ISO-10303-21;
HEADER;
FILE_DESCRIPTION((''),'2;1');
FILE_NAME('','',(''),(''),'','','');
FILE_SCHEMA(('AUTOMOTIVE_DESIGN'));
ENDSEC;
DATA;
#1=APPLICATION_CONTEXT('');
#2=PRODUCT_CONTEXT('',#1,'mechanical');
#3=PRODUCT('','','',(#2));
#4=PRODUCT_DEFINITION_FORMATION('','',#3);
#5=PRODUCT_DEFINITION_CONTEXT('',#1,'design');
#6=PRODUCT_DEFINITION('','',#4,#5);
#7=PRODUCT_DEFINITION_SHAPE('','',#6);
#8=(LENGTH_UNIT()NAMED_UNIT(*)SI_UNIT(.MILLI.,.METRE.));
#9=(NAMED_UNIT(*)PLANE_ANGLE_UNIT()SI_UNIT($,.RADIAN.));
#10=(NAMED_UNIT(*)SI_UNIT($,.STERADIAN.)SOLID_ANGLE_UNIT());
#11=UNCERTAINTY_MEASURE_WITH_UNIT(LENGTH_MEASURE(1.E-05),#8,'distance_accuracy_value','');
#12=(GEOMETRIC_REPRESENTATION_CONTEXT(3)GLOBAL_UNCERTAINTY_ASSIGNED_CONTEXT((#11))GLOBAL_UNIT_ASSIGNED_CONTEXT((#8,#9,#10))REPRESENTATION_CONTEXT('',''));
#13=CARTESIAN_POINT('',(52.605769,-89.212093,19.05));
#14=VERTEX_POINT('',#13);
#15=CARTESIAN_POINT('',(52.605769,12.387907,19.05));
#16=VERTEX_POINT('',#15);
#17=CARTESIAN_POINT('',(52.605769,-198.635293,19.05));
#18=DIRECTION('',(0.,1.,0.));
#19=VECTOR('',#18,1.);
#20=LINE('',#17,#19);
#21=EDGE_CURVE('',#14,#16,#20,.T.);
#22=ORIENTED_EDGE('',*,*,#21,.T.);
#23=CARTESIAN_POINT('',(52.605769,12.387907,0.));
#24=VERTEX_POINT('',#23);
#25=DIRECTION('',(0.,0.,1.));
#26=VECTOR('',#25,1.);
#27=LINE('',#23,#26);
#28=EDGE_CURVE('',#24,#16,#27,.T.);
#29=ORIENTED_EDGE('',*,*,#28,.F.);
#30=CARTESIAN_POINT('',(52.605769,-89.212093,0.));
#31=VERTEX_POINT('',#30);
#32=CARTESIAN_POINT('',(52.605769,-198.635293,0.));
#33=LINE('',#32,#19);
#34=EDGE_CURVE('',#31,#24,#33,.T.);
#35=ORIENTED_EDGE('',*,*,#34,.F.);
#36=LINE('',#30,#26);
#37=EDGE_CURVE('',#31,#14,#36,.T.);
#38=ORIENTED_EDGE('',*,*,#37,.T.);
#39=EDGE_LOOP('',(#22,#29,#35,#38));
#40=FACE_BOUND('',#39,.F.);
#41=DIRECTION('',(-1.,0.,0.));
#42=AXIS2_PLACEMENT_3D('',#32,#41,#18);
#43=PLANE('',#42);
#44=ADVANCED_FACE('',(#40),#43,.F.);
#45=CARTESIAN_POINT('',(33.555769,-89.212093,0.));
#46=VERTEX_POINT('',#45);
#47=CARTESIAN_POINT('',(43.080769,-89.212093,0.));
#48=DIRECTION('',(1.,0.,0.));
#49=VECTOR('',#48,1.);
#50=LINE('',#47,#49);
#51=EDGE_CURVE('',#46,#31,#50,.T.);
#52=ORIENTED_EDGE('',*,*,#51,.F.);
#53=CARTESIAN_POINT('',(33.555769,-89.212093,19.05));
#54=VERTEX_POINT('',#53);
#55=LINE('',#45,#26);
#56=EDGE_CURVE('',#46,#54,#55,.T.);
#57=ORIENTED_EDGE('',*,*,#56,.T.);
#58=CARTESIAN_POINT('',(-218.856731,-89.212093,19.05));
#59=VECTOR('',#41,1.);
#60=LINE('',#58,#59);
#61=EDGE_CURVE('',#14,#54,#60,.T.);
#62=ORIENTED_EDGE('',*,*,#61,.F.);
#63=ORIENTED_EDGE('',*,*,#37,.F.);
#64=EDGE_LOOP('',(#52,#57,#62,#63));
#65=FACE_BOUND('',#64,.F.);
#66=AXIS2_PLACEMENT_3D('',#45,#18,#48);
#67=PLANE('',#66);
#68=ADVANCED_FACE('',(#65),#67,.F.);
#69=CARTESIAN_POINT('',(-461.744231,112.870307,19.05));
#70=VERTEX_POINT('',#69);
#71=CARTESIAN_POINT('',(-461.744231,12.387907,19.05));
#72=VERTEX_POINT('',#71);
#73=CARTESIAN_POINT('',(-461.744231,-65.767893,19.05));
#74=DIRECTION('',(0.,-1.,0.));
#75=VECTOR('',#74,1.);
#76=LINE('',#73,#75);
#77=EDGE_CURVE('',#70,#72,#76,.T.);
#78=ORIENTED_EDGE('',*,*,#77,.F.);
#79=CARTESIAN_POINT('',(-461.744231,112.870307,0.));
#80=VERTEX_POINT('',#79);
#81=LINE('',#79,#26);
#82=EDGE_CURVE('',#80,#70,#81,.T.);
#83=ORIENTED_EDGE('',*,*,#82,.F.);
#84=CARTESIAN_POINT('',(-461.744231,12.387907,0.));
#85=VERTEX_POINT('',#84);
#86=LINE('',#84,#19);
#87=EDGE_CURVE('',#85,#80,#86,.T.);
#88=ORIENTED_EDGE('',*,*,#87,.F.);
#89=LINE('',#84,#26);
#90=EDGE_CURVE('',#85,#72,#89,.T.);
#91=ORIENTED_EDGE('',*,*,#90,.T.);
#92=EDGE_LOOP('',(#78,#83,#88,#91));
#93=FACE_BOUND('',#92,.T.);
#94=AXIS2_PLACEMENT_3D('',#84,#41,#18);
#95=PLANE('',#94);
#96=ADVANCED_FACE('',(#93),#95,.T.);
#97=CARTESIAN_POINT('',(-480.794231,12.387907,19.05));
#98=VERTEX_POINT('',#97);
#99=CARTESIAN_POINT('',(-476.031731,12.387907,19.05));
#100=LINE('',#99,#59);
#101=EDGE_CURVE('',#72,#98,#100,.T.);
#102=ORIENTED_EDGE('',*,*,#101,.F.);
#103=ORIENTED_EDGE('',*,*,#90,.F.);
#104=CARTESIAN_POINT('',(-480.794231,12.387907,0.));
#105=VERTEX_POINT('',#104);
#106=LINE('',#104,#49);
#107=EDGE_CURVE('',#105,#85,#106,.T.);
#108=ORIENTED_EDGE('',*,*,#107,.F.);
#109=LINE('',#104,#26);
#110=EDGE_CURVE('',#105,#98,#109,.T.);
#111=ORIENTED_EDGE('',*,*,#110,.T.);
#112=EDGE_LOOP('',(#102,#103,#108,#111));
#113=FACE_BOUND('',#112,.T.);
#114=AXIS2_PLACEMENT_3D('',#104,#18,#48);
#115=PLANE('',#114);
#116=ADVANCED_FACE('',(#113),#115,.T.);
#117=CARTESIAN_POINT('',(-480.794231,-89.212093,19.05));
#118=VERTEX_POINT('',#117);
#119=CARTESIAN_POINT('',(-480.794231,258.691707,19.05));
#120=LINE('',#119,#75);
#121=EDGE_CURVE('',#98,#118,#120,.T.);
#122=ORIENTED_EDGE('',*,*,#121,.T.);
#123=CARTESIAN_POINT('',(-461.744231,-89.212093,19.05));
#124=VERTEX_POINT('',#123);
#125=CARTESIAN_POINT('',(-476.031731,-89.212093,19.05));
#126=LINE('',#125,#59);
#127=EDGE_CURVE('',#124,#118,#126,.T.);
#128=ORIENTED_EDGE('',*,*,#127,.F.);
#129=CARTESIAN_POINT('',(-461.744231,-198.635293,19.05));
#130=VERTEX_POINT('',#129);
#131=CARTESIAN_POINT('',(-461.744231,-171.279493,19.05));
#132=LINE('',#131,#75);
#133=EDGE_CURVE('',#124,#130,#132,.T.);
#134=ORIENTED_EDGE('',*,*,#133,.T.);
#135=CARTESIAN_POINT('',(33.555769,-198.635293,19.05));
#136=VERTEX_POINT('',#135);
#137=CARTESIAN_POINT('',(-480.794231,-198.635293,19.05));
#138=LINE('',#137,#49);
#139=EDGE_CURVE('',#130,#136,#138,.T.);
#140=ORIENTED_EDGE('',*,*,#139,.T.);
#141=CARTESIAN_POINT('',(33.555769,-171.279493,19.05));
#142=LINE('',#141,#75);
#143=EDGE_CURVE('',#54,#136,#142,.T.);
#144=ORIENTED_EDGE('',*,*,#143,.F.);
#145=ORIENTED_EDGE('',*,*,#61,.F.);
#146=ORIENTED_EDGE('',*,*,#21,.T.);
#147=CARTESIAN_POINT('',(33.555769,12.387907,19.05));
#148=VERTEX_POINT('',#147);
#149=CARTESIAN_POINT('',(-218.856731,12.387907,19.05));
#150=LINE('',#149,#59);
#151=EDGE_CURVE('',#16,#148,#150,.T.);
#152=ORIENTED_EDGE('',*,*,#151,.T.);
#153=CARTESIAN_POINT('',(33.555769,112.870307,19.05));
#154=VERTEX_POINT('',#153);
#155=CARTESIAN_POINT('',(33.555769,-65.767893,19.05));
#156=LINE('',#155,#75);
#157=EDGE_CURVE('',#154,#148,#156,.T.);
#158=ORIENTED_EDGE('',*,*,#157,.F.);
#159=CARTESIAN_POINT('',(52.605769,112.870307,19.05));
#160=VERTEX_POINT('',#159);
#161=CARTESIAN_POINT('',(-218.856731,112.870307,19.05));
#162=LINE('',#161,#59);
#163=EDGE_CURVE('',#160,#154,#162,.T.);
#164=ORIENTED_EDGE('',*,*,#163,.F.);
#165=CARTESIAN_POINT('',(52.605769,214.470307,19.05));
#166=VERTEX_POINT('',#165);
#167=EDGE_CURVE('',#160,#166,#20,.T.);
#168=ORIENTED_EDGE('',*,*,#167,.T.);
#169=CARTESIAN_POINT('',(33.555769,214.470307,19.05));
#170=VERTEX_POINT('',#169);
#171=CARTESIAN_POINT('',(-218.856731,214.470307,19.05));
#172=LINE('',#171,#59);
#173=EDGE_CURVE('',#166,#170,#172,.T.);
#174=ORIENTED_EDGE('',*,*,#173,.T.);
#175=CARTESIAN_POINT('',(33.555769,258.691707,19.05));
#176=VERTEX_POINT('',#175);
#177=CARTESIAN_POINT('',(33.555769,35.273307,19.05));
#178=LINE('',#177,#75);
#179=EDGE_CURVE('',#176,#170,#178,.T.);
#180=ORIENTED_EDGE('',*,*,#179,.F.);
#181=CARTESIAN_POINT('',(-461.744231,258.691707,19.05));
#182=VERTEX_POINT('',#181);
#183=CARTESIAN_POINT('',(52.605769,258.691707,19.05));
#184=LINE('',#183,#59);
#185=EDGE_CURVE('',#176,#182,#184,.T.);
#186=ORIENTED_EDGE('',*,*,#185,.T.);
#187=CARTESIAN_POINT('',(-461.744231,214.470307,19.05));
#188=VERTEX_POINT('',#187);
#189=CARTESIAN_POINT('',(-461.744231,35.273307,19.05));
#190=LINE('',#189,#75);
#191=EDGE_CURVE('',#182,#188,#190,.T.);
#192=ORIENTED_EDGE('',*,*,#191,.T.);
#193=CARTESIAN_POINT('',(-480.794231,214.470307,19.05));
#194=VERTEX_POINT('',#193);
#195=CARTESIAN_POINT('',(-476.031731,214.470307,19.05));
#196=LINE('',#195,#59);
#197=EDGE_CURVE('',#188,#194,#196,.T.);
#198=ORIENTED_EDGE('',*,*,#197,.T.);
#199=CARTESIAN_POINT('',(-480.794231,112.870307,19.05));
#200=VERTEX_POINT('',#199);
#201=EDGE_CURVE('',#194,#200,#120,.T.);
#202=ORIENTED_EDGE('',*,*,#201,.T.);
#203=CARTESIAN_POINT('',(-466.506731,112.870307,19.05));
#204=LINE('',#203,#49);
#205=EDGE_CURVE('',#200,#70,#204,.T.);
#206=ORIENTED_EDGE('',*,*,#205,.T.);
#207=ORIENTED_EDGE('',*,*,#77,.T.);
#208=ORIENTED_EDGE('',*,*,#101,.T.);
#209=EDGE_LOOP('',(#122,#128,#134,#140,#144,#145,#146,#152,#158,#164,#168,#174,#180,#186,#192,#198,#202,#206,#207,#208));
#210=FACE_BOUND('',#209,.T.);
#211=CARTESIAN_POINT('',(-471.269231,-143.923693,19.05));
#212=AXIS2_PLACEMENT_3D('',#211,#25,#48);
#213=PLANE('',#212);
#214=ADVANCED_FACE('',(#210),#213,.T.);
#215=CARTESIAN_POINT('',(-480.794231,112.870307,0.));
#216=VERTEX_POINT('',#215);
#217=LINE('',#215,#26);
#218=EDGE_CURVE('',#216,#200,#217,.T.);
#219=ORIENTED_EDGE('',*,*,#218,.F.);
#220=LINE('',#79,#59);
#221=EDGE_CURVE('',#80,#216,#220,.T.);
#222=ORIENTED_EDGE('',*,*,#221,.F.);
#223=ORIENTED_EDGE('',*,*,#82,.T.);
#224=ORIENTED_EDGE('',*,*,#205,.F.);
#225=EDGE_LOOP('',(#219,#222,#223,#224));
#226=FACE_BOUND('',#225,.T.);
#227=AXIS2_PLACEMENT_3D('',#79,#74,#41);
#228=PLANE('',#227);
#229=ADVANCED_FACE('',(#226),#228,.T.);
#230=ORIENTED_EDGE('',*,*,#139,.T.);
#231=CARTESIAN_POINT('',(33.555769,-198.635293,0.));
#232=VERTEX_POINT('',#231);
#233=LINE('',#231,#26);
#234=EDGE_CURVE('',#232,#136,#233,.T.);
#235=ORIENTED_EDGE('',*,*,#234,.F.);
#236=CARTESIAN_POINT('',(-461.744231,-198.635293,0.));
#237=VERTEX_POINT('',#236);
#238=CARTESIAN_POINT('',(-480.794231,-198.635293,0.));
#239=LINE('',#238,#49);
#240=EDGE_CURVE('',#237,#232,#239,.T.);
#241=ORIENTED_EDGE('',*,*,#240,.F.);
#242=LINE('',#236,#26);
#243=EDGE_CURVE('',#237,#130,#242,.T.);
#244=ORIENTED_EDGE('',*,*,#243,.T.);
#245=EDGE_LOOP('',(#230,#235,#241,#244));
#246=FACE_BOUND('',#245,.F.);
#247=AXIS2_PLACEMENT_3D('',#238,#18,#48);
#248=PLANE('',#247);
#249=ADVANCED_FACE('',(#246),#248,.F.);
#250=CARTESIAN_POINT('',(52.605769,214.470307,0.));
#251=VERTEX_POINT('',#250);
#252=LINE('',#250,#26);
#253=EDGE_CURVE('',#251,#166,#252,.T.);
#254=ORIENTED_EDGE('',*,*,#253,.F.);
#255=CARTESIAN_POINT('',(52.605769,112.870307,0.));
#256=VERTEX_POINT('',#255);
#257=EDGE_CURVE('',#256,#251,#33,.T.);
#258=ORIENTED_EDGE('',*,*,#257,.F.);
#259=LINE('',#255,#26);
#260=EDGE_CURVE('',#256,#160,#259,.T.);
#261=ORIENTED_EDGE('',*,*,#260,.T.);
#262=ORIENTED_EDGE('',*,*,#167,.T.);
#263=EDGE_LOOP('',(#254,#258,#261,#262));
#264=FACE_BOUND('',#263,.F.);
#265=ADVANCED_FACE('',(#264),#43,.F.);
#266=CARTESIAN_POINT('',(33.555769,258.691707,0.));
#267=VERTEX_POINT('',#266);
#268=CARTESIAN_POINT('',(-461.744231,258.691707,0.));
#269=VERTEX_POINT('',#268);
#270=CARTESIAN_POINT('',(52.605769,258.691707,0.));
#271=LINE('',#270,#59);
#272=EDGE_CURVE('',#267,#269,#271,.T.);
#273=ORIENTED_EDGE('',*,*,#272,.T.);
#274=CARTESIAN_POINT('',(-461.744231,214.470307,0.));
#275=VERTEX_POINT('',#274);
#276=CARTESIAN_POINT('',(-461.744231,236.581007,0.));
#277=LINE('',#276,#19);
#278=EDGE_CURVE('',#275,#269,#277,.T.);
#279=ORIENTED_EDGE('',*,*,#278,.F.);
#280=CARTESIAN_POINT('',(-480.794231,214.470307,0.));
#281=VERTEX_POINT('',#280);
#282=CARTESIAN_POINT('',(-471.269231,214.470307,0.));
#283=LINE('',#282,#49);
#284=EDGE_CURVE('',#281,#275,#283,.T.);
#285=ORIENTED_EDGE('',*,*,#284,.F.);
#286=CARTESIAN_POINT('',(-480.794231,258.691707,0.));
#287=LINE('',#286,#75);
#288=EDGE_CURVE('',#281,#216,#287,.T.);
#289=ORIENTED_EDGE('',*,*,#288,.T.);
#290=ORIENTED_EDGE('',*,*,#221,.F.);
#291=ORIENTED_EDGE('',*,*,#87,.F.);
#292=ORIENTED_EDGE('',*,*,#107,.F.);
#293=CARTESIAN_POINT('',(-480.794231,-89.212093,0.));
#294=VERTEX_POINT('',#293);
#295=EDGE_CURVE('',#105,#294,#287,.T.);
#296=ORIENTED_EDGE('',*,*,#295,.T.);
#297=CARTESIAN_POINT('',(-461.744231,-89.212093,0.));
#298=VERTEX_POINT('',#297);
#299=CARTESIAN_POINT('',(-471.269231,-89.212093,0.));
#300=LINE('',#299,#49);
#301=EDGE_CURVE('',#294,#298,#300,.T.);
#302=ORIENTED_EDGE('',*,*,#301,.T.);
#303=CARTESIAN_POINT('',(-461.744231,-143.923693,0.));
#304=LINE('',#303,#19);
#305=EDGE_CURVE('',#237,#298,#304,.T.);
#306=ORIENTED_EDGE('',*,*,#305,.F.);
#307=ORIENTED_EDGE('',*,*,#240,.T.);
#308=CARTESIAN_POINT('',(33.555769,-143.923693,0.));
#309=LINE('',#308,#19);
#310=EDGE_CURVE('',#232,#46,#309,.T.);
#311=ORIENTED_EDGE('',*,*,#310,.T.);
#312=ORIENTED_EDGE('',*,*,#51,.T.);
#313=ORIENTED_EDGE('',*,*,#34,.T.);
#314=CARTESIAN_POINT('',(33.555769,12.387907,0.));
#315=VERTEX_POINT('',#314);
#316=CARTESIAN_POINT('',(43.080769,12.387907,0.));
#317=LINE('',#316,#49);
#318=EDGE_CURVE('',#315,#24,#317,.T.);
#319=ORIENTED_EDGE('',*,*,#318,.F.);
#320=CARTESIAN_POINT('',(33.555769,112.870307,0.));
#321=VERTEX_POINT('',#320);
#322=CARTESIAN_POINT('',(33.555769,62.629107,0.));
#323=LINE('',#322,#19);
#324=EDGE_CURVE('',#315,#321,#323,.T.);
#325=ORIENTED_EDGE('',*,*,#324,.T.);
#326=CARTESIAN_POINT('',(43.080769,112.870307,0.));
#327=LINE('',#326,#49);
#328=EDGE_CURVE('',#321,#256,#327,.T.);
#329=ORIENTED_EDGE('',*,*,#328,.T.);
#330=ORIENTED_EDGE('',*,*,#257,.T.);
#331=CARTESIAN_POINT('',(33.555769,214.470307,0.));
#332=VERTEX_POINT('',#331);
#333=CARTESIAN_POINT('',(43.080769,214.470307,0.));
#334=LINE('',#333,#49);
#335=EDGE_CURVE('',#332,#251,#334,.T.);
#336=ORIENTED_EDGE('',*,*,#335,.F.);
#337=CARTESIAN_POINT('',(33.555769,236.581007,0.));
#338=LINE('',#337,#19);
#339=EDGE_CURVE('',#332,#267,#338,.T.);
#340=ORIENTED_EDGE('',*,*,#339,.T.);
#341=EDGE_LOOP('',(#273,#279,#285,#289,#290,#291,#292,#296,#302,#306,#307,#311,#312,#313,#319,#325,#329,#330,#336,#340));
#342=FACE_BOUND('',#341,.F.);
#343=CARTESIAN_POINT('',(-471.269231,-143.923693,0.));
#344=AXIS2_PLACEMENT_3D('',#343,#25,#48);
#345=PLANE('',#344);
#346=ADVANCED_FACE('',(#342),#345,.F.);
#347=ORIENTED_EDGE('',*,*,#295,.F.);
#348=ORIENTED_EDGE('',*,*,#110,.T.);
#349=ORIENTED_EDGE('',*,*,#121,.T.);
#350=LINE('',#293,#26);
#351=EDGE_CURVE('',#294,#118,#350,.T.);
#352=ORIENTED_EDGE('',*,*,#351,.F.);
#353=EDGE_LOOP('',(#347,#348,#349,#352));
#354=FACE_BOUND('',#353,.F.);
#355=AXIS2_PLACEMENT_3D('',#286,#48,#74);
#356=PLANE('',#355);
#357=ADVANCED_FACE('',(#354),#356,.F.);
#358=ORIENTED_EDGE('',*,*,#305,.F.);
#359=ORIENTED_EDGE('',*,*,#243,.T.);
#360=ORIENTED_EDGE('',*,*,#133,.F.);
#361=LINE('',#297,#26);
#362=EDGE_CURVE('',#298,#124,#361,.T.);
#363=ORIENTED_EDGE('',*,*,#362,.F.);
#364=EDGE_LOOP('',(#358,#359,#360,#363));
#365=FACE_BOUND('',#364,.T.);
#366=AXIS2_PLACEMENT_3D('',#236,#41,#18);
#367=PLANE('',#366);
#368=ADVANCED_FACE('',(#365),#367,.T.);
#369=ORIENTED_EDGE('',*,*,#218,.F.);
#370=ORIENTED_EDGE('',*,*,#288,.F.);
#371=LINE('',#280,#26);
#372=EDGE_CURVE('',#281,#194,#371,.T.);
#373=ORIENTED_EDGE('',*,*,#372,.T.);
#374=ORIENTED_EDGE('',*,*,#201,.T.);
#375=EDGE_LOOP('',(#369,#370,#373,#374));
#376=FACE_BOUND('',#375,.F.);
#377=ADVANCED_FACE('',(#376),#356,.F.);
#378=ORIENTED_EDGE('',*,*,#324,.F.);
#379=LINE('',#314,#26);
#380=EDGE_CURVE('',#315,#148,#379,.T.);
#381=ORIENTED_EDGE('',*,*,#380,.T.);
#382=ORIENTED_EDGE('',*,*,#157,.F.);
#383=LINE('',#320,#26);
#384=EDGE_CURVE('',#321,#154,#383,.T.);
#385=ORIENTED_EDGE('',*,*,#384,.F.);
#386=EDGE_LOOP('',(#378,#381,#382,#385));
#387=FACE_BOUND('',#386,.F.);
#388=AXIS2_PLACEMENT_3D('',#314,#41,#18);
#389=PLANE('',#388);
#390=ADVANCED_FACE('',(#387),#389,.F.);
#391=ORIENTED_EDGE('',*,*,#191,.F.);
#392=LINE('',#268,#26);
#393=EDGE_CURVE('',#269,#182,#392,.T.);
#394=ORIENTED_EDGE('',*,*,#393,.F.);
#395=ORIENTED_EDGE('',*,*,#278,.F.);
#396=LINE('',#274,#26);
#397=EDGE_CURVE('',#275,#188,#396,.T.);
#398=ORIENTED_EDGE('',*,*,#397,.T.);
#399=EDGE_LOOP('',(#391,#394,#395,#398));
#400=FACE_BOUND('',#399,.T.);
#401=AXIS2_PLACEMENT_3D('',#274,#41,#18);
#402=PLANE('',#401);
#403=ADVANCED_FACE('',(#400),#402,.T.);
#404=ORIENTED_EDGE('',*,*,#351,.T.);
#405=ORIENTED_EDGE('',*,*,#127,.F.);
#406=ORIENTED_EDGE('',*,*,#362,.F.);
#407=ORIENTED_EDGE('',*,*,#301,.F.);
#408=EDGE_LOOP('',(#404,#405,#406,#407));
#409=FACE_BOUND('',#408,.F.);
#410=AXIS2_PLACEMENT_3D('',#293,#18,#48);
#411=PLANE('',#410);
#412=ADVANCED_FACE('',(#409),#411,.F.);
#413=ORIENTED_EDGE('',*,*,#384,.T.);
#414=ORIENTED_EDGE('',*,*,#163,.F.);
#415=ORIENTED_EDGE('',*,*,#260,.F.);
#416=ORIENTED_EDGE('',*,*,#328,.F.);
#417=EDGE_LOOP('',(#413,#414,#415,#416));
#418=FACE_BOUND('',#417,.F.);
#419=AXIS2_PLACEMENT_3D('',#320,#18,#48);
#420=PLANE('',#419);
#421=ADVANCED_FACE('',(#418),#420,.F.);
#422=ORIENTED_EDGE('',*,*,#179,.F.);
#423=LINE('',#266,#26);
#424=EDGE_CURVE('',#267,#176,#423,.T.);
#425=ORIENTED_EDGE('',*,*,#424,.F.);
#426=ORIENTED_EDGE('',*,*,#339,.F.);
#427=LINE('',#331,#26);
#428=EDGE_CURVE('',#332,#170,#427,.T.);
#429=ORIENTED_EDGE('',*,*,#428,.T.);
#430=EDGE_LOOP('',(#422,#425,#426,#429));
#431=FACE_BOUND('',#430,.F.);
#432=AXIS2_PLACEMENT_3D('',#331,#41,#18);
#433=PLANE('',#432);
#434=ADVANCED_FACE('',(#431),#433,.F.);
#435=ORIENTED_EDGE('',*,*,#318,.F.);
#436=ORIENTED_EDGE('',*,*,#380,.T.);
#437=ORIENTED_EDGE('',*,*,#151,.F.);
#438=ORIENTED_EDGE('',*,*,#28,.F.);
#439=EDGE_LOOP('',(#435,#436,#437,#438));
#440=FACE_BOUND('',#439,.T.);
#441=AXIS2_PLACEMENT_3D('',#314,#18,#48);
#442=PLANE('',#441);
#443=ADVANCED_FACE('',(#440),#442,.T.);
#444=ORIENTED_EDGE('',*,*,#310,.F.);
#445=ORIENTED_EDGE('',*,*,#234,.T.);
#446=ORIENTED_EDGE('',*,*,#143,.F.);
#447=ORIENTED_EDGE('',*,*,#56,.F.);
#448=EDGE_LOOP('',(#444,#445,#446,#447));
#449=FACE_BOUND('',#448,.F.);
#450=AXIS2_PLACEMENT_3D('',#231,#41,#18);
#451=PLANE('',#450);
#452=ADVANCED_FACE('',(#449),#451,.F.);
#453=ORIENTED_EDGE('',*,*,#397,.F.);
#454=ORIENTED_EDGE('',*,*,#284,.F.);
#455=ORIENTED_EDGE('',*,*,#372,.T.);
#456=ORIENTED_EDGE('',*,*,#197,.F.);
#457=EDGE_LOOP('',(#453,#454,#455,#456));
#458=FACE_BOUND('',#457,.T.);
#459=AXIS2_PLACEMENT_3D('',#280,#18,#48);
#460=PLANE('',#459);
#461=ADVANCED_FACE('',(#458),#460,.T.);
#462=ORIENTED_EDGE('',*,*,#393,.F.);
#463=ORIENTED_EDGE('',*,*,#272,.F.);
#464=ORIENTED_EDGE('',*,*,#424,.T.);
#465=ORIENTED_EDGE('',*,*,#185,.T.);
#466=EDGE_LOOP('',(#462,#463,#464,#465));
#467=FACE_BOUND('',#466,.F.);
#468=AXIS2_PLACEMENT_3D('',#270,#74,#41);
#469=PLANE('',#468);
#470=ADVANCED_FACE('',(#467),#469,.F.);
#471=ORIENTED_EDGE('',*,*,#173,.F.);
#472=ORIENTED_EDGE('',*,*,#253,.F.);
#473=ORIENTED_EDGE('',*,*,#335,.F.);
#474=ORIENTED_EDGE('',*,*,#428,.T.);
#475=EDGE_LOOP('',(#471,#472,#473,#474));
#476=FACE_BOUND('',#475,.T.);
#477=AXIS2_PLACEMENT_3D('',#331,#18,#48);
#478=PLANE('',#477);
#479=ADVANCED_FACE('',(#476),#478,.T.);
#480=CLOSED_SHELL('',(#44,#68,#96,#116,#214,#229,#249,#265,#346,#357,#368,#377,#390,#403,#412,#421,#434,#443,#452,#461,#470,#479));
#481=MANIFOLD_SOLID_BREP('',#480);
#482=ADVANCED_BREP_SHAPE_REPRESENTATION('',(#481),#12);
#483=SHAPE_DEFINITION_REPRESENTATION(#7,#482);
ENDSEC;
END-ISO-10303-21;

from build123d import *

# Parameters (mm, degrees)
F0_W     = 19.05
F0_H     = 109.4232
F0_H_2   = 100.4824
F0_H_3   = 44.2214
F1_DEPTH = 19.05
F2_DEPTH = 19.051


with BuildPart() as f1:
    # F0 (on Top) → F1 (new body)
    with BuildSketch(Plane.XY):
        with Locations((-471.269231, -143.923693)):
            Rectangle(F0_W, F0_H)
        Polygon((-461.744231, -89.212093), (-461.744231, -198.635293), (33.555769, -198.635293), (33.555769, -89.212093), (52.605769, -89.212093), (52.605769, 12.387907), (33.555769, 12.387907), (33.555769, 112.870307), (52.605769, 112.870307), (52.605769, 214.470307), (33.555769, 214.470307), (33.555769, 258.691707), (-461.744231, 258.691707), (-461.744231, 214.470307), (-480.794231, 214.470307), (-480.794231, 112.870307), (-461.744231, 112.870307), (-461.744231, 12.387907), (-480.794231, 12.387907), (-480.794231, 11.117907), (-480.794231, -89.212093), align=None)
        with Locations((43.080769, -143.923693)):
            Rectangle(F0_W, F0_H)
        Polygon((-480.794231, 76.554656), (-480.794231, 12.387907), (-461.744231, 12.387907), (-461.744231, 112.870307), (-480.794231, 112.870307), align=None)
        with Locations((43.080769, 62.629107)):
            Rectangle(F0_W, F0_H_2)
        with Locations((-471.269231, 236.581007)):
            Rectangle(F0_W, F0_H_3)
        with Locations((43.080769, 236.581007)):
            Rectangle(F0_W, F0_H_3)
    extrude(amount=F1_DEPTH)

    # F0 (on Top) → F2 (cut, through all)
    with BuildSketch(Plane.XY):
        Polygon((-480.794231, 76.554656), (-480.794231, 12.387907), (-461.744231, 12.387907), (-461.744231, 112.870307), (-480.794231, 112.870307), align=None)
        with Locations((-471.269231, 236.581007)):
            Rectangle(F0_W, F0_H_3)
        with Locations((-471.269231, -143.923693)):
            Rectangle(F0_W, F0_H)
        with Locations((43.080769, -143.923693)):
            Rectangle(F0_W, F0_H)
        with Locations((43.080769, 62.629107)):
            Rectangle(F0_W, F0_H_2)
        with Locations((43.080769, 236.581007)):
            Rectangle(F0_W, F0_H_3)
    extrude(amount=F2_DEPTH, mode=Mode.SUBTRACT)


solid = f1.part
